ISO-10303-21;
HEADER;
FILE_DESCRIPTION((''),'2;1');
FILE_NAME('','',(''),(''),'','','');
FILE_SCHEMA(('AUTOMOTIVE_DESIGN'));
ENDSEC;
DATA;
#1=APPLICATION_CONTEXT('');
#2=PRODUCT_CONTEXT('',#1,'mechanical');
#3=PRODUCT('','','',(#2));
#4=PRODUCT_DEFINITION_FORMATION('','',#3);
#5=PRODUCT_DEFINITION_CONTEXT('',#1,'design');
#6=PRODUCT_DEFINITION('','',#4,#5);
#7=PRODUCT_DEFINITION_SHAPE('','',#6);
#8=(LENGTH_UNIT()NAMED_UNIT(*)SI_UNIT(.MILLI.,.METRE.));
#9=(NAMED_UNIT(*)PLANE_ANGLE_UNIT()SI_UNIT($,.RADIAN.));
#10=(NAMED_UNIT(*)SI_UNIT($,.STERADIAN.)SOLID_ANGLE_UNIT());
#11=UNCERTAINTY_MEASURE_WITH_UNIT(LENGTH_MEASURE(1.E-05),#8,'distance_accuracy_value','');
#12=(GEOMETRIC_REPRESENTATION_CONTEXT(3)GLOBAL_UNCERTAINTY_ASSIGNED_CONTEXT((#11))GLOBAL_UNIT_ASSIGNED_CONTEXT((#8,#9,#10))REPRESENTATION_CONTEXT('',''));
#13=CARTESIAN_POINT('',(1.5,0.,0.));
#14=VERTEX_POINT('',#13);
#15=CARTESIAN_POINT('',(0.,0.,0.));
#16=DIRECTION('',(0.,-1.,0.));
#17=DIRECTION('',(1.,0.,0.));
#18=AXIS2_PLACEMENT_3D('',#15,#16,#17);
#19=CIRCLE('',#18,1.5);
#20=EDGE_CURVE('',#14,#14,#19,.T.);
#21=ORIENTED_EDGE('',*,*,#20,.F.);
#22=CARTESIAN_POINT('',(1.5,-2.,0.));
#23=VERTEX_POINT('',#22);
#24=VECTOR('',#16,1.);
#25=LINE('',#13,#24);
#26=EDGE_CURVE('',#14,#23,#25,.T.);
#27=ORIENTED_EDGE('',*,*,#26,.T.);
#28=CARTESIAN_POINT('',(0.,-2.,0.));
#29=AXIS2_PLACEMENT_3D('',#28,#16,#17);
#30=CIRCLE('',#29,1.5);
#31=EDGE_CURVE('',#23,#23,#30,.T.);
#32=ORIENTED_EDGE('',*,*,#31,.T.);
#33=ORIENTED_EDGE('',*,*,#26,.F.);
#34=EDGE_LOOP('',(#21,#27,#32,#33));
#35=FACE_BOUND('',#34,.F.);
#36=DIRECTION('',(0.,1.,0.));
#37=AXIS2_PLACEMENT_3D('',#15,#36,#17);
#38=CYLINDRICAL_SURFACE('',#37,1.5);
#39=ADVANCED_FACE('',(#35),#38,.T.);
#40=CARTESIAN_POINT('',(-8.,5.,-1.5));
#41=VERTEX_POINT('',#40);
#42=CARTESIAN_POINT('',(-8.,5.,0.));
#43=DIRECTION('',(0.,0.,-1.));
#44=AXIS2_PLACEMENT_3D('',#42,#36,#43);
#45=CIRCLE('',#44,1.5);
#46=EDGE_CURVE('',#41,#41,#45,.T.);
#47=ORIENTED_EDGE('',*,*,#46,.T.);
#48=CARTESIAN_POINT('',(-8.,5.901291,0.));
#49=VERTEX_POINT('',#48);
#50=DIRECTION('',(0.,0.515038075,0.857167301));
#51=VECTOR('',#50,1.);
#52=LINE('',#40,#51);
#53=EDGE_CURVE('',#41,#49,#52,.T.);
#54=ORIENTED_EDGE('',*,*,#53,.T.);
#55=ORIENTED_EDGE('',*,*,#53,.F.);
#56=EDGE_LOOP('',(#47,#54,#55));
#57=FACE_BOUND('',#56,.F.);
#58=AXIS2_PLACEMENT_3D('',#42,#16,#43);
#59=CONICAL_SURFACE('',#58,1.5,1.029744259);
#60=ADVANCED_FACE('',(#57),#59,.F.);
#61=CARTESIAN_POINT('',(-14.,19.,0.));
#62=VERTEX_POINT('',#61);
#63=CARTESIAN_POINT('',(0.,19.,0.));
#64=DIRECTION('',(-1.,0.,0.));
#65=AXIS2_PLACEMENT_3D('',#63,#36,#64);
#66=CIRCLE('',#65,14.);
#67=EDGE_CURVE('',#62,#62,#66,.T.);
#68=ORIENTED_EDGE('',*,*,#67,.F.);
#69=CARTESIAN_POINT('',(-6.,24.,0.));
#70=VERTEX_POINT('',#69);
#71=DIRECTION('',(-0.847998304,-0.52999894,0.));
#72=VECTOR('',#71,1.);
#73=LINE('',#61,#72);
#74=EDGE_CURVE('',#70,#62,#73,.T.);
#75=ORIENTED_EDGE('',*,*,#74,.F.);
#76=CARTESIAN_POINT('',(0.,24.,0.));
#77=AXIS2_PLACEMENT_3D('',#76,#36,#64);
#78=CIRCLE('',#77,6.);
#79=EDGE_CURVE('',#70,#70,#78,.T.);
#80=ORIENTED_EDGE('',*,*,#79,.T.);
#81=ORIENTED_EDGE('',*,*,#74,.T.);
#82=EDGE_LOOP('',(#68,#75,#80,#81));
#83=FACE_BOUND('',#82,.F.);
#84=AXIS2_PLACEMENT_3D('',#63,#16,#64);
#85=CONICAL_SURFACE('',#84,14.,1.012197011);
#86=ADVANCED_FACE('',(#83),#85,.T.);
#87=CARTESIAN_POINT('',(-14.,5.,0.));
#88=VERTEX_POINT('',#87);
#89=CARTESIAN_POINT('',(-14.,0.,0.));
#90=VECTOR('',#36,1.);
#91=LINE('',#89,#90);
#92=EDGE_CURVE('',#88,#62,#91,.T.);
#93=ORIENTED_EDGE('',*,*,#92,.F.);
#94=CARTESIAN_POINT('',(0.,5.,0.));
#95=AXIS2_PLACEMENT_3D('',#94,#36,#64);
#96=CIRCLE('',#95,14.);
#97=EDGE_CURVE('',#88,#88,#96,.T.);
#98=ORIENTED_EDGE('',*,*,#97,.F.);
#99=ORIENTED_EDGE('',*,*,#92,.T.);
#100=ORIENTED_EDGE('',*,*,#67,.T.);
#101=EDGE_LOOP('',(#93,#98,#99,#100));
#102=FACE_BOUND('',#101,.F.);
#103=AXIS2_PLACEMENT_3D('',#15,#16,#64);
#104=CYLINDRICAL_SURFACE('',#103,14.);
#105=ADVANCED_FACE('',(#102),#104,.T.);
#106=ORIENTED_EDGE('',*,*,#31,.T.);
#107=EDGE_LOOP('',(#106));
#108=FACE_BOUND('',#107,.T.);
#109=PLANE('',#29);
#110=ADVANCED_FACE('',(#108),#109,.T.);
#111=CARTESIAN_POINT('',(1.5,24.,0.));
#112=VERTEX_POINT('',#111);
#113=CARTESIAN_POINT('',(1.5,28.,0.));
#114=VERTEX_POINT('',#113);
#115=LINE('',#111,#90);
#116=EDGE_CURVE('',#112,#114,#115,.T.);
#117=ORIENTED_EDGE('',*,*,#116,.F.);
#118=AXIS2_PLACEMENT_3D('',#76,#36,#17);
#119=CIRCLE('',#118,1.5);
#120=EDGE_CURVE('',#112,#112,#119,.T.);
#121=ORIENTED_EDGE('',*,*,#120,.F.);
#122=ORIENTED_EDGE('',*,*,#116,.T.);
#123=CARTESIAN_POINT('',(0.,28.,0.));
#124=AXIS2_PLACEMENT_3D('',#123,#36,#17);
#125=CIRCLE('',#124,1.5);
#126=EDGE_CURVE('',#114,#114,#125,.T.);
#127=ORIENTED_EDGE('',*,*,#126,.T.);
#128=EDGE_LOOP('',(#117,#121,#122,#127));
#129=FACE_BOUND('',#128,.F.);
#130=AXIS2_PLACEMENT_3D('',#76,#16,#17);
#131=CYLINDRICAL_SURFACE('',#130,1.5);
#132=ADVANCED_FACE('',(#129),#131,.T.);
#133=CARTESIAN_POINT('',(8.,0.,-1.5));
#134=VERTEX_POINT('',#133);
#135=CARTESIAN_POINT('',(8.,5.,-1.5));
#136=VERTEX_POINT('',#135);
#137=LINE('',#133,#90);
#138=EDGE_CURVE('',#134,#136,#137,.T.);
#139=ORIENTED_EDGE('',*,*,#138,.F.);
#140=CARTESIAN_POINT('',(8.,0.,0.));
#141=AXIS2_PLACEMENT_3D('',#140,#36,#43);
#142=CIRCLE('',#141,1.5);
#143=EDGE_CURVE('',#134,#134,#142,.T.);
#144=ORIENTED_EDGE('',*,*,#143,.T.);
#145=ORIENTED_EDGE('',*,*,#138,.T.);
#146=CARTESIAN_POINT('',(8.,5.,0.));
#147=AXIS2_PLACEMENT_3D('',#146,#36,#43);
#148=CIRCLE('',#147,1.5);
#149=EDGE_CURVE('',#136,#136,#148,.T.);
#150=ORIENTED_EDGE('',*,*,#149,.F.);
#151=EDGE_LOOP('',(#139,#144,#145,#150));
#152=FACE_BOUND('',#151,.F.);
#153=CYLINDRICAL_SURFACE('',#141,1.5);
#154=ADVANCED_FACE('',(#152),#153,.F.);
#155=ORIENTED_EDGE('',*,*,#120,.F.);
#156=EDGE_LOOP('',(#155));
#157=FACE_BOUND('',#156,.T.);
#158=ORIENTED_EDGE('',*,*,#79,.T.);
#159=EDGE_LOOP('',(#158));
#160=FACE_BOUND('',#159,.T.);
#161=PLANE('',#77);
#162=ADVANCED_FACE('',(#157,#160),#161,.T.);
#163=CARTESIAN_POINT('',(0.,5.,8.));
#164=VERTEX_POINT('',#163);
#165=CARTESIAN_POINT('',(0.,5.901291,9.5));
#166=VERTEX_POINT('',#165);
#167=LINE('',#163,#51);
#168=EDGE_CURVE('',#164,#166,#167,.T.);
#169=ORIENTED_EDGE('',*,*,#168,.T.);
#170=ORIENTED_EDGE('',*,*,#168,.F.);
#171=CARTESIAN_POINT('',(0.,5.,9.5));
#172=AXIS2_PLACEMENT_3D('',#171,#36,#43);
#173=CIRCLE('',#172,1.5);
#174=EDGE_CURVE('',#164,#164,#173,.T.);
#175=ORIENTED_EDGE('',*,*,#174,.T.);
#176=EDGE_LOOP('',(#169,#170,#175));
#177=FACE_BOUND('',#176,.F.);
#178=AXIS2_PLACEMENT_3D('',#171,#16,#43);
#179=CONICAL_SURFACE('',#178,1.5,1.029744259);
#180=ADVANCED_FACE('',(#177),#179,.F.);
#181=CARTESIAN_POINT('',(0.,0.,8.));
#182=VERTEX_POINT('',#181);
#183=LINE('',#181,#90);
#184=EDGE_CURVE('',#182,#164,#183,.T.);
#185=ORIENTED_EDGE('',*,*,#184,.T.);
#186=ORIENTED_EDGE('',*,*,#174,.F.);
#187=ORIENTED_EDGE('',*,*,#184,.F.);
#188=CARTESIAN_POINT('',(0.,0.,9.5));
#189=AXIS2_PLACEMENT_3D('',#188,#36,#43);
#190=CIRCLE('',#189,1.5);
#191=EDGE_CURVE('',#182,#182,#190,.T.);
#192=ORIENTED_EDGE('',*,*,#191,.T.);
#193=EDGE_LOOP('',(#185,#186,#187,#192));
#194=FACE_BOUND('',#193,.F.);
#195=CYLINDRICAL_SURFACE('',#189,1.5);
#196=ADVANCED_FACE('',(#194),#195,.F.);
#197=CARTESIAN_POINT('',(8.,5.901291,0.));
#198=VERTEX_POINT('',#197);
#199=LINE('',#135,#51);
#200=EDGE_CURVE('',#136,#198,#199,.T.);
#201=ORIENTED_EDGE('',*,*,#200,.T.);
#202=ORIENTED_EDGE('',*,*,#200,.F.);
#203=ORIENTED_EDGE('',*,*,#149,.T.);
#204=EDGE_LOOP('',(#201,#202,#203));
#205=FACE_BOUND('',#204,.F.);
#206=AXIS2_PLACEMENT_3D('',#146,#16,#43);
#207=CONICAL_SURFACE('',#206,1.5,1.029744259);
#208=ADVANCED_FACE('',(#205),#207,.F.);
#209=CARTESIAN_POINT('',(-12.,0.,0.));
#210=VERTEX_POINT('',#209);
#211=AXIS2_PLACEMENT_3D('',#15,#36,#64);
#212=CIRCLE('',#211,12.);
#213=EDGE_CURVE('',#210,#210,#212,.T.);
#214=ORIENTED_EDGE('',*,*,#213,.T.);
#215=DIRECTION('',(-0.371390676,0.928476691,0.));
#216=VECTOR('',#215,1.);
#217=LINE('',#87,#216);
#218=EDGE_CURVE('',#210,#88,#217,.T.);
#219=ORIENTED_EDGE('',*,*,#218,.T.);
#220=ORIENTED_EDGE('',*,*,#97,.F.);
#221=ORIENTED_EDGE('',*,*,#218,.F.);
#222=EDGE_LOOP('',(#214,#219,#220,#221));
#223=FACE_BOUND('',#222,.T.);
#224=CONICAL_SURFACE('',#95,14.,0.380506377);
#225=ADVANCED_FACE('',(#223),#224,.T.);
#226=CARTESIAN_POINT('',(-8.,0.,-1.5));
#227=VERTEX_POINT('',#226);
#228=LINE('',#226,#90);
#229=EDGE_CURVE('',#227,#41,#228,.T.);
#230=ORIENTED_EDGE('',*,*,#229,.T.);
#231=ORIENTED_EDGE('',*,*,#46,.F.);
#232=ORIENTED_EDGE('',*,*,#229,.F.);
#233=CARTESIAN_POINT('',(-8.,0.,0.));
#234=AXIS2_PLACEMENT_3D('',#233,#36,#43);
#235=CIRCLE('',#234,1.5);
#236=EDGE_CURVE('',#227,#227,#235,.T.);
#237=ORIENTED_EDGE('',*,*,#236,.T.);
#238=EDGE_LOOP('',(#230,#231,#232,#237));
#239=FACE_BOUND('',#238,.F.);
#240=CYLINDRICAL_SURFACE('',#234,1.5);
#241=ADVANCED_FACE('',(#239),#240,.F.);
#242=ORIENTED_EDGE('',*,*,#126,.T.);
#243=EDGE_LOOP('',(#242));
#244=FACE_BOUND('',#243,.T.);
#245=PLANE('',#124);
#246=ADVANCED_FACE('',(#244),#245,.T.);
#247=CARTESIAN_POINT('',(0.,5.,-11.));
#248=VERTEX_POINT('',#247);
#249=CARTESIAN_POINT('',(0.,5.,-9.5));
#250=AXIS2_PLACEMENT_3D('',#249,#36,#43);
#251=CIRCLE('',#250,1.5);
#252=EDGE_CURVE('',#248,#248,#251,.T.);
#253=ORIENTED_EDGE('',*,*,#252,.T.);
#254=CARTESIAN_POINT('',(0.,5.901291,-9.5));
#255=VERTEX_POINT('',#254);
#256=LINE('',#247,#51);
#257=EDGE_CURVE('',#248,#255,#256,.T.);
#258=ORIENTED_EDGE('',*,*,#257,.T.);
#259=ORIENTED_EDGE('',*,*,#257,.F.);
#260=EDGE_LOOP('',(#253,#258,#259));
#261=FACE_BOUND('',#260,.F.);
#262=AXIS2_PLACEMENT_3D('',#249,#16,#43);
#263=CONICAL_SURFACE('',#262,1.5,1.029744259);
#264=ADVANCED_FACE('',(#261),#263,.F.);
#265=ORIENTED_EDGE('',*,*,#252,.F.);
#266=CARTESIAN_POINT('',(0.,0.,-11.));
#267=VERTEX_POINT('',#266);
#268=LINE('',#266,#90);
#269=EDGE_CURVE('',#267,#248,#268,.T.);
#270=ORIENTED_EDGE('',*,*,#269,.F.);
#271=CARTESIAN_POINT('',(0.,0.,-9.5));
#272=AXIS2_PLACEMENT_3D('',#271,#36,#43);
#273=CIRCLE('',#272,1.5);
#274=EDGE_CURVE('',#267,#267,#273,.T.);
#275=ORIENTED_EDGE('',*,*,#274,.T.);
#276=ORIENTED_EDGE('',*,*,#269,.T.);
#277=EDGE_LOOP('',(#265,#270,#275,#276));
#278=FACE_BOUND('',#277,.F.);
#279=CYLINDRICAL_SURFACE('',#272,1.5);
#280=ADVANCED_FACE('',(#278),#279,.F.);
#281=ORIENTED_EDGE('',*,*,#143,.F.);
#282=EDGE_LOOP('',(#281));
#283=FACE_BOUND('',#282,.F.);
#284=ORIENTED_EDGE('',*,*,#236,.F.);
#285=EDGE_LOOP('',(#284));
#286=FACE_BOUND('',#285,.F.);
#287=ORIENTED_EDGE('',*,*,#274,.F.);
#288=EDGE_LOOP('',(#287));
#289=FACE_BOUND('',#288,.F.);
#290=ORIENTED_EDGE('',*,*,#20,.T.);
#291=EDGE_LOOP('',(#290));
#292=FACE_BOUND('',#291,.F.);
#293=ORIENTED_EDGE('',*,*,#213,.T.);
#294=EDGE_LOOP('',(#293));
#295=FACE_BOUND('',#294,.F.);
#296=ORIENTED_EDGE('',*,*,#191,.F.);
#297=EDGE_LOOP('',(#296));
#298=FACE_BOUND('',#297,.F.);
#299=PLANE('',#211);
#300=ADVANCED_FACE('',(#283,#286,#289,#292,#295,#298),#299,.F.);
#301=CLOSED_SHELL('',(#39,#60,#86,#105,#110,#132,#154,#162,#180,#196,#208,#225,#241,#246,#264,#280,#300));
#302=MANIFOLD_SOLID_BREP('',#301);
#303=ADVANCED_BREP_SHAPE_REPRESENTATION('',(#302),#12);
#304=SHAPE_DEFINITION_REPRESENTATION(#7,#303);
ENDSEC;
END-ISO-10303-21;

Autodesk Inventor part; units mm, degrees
ref_plane "YZ Plane" through (0, 0, 0) normal (1, 0, 0) x (0, 1, 0)
ref_plane "XZ Plane" through (0, 0, 0) normal (0, 1, 0) x (-1, 0, 0)
ref_plane "XY Plane" through (0, 0, 0) normal (0, 0, 1) x (1, 0, 0)
sketch "Sketch1" plane through (0, 0, 0) normal (0, 1, 0) x (-1, 0, 0)
  circle A0 centre (0, 0) radius 14
  dimension "d0" = 28
extrude "Extrusion1" add sketch "Sketch1" along normal blind 24
chamfer "Chamfer1" distance 2 distance2 5 1 edges at (14, 0, 0) measured on face at (-0.5625, 0, 1.5565)
sketch "Sketch2" plane through (0, 0, 0) normal (0, -1, 0) x (1, 0, 0)
  circle A0 centre (0, 0) radius 9.5
  circle A1 centre (0, 0) radius 8
  line L0 (0, 0) -> (0, 9.5)
  line L1 (0, 0) -> (0, -9.5)
  line L2 (0, 0) -> (8, 0)
  line L3 (0, 0) -> (-8, 0)
  dimension "d6" = 19
  dimension "d7" = 16
hole "Hole1" at (0, 0, 9.5) at (-8, 0, 0) at (8, 0, 0) at (0, 0, -9.5) direction (0, 1, 0) diameter 3 depth 5 tip angle 118
chamfer "Chamfer2" distance 8 distance2 5 1 edges at (14, 24, 0) measured on face at (-0.5625, 24, 1.5565)
sketch "Sketch3" plane through (0, 24, 0) normal (0, 1, 0) x (1, 0, 0)
  circle A0 centre (0, 0) radius 1.5
  dimension "d18" = 3
extrude "Extrusion2" add sketch "Sketch3" along normal blind 4
sketch "Sketch4" plane through (0, 0, 0) normal (0, -1, 0) x (1, 0, 0)
  circle A0 centre (0, 0) radius 1.5
  dimension "d21" = 3
extrude "Extrusion3" add sketch "Sketch4" along normal blind 2
properties part number "motor_generic" material "Aluminum 6061"
